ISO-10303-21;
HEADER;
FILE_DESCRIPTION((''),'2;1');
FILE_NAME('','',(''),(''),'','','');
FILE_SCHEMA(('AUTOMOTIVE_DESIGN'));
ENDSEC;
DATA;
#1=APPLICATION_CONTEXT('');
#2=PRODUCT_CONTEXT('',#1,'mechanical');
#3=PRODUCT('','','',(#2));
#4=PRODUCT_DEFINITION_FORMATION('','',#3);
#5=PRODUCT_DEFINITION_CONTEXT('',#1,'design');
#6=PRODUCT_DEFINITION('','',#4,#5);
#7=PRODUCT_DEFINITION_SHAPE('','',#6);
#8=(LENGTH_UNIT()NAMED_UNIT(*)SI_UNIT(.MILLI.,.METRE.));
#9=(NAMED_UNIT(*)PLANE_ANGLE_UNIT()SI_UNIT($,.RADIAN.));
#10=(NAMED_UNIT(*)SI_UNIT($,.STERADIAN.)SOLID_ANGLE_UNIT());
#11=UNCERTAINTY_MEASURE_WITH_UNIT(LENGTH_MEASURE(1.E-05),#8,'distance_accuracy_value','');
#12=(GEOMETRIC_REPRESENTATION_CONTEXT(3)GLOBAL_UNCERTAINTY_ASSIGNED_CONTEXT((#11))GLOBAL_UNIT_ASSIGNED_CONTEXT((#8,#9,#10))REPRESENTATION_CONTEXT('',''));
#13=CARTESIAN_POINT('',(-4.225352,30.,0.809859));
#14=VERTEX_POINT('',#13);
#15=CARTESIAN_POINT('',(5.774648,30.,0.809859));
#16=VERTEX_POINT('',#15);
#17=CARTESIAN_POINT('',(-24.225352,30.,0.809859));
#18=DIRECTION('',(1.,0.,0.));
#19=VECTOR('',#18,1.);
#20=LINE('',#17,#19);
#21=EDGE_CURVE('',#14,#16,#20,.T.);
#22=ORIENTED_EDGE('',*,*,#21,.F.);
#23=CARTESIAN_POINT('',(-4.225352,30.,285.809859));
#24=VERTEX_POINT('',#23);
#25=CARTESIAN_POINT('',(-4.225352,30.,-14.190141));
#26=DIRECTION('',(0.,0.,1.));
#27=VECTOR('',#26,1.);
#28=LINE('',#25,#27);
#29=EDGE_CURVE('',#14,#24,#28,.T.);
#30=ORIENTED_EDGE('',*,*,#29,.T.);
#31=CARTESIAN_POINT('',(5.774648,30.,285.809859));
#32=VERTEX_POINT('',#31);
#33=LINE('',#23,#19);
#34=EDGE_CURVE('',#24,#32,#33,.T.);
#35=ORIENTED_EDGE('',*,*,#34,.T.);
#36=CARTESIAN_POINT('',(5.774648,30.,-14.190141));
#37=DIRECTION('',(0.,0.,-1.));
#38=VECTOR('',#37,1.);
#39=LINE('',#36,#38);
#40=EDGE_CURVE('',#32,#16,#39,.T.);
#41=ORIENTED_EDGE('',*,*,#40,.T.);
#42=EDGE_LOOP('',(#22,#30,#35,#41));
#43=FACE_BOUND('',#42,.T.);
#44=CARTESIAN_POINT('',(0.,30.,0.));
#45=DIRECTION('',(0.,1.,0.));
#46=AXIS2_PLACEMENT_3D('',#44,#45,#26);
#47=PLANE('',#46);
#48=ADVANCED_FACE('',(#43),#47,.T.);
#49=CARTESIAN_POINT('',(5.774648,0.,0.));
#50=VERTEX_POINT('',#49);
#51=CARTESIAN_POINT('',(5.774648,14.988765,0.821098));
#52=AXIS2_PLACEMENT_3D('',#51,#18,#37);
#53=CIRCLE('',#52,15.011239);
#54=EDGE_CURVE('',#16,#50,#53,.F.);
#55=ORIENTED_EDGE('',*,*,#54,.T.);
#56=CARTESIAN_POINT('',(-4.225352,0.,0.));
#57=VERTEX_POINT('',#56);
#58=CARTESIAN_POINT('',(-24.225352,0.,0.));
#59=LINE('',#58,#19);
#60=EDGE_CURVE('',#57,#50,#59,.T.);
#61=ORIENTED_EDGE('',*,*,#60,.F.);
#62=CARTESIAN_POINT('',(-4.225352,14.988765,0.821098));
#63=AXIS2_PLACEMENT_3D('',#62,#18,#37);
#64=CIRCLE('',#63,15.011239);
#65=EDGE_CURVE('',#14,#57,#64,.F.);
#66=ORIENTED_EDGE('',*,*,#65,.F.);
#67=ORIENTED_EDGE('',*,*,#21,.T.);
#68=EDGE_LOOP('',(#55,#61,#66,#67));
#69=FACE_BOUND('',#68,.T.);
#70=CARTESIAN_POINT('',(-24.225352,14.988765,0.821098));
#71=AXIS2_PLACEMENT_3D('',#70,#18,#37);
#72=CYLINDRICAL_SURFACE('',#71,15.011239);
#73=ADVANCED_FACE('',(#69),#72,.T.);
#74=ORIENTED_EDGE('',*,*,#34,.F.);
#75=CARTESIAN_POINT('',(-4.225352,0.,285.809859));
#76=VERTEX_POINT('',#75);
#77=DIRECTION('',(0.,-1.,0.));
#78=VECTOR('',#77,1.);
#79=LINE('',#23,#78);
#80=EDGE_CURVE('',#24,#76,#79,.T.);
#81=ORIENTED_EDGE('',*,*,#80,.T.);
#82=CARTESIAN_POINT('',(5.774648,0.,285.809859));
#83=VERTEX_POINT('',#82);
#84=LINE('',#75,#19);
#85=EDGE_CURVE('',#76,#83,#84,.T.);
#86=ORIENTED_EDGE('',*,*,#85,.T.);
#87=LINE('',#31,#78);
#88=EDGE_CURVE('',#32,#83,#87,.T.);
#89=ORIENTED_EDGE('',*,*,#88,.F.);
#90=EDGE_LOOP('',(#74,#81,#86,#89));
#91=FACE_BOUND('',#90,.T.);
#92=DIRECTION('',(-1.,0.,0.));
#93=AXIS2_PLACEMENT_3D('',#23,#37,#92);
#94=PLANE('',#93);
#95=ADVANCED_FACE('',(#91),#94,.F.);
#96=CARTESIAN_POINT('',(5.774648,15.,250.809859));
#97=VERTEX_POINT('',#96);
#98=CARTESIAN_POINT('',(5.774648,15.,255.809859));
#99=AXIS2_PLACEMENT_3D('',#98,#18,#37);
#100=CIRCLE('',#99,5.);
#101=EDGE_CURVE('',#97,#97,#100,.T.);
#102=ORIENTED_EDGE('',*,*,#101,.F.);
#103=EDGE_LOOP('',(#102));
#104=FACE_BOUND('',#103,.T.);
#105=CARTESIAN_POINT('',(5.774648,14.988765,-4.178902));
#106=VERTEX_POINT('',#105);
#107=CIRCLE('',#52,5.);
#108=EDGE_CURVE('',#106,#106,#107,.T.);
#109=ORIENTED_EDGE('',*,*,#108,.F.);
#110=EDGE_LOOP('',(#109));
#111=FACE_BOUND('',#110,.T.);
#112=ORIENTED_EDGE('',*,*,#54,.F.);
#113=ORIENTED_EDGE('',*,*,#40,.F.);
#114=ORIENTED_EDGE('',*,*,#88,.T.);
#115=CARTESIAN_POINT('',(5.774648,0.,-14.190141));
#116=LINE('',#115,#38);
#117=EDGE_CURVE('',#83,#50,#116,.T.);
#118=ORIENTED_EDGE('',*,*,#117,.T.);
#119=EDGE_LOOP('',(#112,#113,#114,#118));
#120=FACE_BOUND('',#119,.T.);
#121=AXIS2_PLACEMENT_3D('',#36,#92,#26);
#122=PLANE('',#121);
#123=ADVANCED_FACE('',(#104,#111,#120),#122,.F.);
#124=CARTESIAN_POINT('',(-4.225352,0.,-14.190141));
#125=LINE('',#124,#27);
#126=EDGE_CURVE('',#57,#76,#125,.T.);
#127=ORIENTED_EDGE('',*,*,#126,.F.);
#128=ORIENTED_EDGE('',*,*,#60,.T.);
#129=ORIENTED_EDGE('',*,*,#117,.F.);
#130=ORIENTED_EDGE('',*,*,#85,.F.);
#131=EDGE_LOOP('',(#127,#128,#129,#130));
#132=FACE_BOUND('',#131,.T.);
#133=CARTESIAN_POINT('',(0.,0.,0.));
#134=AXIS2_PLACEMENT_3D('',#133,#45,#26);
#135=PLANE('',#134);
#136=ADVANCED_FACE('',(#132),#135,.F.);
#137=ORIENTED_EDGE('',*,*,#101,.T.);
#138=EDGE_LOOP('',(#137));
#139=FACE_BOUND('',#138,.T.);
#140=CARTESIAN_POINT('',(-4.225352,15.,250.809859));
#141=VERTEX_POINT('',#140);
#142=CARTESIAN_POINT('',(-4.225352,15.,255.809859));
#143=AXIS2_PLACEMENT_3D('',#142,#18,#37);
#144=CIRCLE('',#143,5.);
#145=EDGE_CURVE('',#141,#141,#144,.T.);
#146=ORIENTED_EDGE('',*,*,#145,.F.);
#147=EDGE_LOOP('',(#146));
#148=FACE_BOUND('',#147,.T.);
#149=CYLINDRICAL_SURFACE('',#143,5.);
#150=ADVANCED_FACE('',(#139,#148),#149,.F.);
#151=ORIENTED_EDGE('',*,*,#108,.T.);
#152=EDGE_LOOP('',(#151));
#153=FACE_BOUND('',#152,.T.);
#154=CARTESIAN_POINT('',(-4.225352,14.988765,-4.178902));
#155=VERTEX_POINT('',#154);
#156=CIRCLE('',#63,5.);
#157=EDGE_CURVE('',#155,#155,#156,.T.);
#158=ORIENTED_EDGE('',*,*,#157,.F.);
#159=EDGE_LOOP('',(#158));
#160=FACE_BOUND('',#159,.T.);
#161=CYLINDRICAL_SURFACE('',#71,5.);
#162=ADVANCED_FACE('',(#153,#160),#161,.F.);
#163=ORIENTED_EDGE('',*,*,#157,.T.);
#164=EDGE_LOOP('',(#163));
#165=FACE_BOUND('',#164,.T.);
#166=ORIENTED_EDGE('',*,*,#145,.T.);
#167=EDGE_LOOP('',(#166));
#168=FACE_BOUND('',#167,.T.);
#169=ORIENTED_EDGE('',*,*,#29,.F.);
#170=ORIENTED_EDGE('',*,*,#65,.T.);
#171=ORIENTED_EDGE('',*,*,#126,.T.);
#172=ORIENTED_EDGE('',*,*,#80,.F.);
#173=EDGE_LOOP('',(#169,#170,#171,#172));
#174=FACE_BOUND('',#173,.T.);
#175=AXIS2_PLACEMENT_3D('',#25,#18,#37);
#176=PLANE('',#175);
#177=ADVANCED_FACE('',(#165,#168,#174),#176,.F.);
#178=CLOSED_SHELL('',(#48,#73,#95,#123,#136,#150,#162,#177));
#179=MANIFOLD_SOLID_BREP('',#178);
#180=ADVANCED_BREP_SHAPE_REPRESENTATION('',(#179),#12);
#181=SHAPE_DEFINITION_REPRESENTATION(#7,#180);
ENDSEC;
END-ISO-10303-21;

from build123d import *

# Parameters (mm, degrees)
SKETCH_1_W          = 10
SKETCH_1_H          = 300
EXTRUDE_2_DEPTH     = 30
SKETCH_3_R          = 5
CUT_EXTRUDE_3_DEPTH = 30
SKETCH_4_R          = 5
CUT_EXTRUDE_4_DEPTH = 10


with BuildPart() as part:
    # Эскиз1 → Бобышка-Вытянуть2 (new body)
    with BuildSketch(Plane(origin=(0, 0, 0), x_dir=(1, 0, 0), z_dir=(0, 1, 0))):
        with Locations((0.774647887, -135.809859155)):
            Rectangle(SKETCH_1_W, SKETCH_1_H)
    extrude(amount=EXTRUDE_2_DEPTH)

    # Эскиз3 → Вырез-Вытянуть3 (cut)
    with BuildSketch(Plane(origin=(5.774647887, 0, 0), x_dir=(0, 0, -1), z_dir=(1, 0, 0))):
        with BuildLine():
            ThreePointArc((-0.809859155, 30), (9.797423551, 25.599339913), (14.190140845, 14.988765453))
            Line((14.190140845, 14.988765453), (14.190140845, 30))
            Line((14.190140845, 30), (-0.809859155, 30))
        make_face()
        with BuildLine():
            Line((0, 0), (14.190140845, 0))
            Line((14.190140845, 0), (14.190140845, 14.988765453))
            ThreePointArc((14.190140845, 14.988765453), (10.079887974, 4.668600871), (0, 0))
        make_face()
        with Locations((-0.821097954, 14.988765408)):
            Circle(SKETCH_3_R)
    extrude(amount=-CUT_EXTRUDE_3_DEPTH, mode=Mode.SUBTRACT)

    # Эскиз4 → Вырез-Вытянуть4 (cut)
    with BuildSketch(Plane(origin=(5.774647887, 0, 0), x_dir=(0, 0, -1), z_dir=(1, 0, 0))):
        with Locations((-255.809859155, 15)):
            Circle(SKETCH_4_R)
    extrude(amount=-CUT_EXTRUDE_4_DEPTH, mode=Mode.SUBTRACT)


solid = part.part
